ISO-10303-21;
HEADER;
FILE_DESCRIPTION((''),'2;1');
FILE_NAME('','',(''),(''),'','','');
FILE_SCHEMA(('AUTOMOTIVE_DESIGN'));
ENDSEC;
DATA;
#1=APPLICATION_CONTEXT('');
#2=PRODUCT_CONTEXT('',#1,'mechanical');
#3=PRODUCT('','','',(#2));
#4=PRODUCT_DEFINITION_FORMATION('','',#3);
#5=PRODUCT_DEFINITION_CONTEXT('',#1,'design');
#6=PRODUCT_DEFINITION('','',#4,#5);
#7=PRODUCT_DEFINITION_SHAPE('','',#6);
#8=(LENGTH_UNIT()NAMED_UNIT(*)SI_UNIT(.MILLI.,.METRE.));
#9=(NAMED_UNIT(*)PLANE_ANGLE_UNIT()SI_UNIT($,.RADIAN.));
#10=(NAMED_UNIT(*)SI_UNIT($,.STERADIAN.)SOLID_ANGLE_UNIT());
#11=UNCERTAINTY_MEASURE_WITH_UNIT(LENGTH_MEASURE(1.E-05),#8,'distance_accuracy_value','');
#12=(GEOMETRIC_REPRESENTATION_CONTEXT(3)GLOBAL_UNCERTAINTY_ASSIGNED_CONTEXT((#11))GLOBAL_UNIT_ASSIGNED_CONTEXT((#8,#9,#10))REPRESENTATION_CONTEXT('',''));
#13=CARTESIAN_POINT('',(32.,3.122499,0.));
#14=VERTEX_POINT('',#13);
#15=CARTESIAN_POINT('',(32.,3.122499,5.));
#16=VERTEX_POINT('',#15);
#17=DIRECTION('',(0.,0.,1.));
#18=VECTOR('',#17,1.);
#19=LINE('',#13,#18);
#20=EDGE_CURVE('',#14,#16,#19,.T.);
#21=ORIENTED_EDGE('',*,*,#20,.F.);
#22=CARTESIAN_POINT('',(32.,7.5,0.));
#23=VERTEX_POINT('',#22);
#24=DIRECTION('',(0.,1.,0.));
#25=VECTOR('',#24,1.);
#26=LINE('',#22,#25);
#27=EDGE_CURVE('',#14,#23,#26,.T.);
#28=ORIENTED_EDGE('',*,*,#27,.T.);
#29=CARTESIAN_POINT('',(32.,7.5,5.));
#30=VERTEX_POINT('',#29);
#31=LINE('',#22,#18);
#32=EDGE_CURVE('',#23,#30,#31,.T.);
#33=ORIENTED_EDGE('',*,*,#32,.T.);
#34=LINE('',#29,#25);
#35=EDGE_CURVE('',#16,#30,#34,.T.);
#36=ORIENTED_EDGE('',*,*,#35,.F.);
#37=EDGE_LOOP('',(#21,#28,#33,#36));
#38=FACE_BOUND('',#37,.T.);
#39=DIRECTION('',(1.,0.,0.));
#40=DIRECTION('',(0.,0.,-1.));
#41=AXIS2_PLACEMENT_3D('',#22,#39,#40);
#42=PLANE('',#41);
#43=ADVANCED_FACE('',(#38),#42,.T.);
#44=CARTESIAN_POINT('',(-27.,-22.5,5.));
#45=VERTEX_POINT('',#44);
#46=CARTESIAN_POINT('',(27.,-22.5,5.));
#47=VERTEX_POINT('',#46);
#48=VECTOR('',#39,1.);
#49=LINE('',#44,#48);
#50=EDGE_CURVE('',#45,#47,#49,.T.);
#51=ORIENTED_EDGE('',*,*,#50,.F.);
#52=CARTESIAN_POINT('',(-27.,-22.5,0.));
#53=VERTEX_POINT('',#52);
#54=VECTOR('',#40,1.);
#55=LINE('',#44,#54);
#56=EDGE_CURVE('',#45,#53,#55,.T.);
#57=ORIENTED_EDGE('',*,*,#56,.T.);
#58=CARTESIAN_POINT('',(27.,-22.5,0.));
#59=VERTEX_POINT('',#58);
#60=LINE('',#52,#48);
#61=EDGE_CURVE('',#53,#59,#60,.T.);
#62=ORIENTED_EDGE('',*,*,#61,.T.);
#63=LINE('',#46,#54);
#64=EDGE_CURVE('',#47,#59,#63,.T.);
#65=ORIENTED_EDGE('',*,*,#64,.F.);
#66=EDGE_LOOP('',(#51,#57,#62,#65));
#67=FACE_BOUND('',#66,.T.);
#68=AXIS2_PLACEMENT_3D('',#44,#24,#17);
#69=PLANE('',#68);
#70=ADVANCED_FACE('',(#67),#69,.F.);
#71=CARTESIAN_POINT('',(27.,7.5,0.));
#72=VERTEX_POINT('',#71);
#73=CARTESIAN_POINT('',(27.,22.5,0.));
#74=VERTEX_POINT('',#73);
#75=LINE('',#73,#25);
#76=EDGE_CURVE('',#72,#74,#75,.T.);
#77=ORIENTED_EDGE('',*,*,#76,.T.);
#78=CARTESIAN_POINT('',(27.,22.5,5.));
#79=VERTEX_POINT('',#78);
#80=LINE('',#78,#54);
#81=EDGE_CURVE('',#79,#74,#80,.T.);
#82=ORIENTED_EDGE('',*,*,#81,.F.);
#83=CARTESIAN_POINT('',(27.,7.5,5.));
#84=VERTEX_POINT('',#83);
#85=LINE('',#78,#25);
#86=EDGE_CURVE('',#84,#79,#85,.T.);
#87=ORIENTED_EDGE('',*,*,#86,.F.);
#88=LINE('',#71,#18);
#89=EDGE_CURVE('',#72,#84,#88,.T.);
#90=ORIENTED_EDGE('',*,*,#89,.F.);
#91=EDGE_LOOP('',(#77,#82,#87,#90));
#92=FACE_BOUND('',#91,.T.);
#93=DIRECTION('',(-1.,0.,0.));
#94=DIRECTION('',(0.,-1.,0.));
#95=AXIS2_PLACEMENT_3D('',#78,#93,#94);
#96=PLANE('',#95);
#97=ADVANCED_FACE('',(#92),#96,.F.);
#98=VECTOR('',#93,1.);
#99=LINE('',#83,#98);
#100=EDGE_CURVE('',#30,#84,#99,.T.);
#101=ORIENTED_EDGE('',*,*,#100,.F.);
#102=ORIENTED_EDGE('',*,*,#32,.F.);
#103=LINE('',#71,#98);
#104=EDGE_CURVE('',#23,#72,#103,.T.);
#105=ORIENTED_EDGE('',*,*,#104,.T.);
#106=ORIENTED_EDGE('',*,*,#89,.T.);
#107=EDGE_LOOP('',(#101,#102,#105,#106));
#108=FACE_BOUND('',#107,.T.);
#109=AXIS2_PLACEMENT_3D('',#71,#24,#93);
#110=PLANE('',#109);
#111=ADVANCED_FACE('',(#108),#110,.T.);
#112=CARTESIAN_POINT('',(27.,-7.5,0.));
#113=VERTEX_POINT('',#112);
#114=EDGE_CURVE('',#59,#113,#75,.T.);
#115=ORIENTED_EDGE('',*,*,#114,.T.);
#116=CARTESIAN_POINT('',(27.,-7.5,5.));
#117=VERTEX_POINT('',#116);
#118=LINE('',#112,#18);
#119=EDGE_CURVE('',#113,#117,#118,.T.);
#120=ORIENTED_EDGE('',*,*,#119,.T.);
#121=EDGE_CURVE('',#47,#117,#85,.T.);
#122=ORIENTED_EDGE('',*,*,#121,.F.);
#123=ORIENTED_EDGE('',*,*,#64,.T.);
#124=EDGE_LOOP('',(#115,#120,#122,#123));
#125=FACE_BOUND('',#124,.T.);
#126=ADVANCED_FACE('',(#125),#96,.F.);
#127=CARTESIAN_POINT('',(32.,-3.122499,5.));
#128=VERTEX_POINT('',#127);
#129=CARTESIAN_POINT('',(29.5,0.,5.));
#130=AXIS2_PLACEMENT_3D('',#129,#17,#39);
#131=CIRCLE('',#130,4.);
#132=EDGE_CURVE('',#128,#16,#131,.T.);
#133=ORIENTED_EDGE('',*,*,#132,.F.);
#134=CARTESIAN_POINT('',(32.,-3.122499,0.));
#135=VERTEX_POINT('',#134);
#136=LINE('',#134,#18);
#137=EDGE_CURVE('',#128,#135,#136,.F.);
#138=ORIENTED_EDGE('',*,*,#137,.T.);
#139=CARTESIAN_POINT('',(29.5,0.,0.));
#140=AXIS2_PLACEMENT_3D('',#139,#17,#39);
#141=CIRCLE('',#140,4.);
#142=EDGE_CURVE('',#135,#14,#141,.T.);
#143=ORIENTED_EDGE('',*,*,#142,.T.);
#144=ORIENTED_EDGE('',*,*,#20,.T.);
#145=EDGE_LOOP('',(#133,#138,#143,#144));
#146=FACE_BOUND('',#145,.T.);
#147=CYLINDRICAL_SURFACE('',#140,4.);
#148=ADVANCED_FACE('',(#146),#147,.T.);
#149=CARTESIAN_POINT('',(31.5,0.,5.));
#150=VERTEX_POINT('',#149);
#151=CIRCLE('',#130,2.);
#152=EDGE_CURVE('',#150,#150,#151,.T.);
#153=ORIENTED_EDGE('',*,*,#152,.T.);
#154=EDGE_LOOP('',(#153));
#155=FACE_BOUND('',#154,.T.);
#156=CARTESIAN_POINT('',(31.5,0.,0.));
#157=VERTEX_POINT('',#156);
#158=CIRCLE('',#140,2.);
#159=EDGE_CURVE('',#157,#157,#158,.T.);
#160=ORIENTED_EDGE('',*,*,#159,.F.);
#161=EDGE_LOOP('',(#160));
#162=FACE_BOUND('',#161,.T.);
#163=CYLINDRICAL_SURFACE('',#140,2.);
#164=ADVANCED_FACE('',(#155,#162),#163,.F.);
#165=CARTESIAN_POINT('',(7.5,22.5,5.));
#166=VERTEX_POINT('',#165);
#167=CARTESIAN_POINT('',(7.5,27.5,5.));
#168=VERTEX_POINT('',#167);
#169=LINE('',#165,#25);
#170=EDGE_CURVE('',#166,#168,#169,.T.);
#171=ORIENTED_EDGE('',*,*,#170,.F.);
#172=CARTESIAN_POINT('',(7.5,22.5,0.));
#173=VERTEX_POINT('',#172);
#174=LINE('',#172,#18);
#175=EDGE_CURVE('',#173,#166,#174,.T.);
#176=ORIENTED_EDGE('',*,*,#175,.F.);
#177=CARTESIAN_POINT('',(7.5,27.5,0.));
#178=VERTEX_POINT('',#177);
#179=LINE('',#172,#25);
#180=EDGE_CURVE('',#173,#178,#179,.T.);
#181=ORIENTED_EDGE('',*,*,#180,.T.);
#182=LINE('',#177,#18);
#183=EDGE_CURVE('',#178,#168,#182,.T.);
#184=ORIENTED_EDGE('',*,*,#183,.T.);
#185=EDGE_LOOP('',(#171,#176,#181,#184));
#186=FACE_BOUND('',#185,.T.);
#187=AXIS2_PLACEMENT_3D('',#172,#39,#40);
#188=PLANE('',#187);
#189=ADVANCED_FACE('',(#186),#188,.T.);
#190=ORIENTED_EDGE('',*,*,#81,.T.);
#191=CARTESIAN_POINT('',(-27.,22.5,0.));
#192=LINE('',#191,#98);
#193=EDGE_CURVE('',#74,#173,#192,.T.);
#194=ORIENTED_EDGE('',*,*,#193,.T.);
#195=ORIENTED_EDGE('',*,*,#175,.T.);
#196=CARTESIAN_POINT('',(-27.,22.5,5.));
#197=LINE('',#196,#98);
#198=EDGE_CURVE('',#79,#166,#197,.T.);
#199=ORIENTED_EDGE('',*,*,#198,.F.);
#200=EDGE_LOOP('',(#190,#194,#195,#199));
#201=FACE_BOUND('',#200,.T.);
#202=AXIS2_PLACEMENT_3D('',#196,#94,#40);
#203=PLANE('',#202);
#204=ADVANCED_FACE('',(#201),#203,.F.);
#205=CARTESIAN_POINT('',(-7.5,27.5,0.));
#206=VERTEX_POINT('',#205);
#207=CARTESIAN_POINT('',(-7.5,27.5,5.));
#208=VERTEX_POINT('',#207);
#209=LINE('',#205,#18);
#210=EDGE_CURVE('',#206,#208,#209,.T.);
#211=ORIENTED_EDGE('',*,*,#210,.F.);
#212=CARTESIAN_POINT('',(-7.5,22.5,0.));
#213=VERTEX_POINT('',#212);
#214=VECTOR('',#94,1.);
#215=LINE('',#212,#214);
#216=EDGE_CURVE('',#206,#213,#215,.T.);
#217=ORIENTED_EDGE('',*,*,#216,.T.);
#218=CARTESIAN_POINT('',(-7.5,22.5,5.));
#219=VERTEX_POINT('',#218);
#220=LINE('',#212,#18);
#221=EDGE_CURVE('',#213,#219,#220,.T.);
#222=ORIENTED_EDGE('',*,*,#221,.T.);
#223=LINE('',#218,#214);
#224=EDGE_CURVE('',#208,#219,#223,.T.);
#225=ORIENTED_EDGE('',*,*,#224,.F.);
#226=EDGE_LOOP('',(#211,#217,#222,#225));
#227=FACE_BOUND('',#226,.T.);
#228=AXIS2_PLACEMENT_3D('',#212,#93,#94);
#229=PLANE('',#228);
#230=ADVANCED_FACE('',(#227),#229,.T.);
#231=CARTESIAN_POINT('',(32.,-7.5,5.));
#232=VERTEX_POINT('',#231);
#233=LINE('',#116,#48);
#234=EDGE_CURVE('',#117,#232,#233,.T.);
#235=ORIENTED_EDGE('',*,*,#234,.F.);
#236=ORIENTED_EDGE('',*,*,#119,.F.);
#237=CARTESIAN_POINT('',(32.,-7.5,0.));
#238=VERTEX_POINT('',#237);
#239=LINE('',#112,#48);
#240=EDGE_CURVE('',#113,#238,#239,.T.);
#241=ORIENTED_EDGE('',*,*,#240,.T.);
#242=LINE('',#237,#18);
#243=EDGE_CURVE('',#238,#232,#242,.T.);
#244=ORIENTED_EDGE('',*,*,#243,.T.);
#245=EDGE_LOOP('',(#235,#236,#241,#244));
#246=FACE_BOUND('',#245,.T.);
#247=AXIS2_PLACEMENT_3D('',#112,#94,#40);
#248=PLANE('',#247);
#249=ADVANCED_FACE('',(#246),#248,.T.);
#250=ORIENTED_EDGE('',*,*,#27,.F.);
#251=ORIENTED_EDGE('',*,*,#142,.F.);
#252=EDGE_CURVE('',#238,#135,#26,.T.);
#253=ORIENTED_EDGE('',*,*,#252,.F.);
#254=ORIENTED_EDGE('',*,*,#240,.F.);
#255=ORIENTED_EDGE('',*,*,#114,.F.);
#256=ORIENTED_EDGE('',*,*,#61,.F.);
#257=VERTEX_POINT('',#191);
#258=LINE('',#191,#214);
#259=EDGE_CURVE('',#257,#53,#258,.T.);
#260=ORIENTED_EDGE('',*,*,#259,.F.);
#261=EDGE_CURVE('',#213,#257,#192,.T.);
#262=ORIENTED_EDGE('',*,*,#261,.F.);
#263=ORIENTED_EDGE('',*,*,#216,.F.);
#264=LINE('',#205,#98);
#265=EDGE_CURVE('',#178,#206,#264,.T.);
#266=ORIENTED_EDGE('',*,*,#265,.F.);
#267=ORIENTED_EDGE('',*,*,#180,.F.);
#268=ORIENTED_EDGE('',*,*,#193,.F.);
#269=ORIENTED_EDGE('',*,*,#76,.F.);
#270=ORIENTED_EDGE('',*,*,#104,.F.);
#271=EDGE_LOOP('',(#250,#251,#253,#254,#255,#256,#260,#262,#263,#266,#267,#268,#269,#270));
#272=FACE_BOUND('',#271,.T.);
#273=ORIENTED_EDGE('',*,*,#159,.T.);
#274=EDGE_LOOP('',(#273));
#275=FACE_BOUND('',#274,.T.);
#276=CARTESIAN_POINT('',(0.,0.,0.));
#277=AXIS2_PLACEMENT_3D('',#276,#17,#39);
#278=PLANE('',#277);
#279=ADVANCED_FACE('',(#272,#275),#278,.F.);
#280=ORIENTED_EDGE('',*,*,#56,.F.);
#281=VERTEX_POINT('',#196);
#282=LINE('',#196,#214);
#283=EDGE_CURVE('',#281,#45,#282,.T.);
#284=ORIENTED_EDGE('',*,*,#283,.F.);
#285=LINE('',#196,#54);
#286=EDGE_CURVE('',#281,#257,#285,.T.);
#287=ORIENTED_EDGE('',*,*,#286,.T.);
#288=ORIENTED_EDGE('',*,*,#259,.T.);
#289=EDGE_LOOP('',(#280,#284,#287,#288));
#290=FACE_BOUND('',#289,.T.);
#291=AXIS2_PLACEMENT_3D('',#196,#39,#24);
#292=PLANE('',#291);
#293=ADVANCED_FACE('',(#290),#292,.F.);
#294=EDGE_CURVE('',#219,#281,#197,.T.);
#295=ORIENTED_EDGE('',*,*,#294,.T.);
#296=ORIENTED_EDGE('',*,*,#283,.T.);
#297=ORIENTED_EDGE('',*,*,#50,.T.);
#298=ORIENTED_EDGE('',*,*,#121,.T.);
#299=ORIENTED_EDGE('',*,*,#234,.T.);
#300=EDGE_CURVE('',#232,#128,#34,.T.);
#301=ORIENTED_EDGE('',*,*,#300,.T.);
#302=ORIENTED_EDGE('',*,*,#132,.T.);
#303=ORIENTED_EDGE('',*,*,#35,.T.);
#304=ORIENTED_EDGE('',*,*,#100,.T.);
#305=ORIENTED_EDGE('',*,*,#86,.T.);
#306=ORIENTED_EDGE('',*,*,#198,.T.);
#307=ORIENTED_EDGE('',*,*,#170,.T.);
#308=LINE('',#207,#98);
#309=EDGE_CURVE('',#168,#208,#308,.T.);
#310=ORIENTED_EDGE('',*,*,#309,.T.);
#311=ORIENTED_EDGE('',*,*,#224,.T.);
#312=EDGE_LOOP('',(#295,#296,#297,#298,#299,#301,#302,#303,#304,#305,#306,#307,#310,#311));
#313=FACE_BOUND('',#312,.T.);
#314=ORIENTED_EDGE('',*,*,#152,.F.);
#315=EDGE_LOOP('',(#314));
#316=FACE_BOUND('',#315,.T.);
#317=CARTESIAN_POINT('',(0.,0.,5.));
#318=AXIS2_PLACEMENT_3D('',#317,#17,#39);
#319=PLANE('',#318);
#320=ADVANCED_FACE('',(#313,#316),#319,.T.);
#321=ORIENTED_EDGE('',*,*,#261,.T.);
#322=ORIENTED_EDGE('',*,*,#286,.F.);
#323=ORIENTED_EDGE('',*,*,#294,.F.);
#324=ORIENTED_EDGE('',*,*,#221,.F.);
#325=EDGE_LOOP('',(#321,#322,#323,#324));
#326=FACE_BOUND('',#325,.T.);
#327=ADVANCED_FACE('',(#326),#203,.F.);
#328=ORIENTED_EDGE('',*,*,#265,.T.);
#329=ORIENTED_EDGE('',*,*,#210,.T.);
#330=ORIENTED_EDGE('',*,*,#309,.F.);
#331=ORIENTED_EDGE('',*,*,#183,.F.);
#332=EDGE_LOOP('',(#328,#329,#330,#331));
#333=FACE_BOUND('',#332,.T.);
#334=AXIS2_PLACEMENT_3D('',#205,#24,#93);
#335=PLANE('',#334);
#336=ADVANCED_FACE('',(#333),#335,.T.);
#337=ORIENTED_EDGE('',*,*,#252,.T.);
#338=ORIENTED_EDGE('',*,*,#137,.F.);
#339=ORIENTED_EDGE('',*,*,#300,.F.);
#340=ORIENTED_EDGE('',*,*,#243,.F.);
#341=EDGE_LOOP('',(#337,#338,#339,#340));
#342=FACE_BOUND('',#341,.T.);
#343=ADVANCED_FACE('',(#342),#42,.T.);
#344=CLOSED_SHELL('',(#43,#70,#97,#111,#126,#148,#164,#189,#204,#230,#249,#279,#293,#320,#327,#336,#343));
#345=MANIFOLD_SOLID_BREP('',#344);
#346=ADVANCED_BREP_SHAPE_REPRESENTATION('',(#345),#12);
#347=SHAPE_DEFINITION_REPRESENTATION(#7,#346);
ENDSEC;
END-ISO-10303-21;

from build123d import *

# Parameters (mm, degrees)
SKETCH1_W           = 54
SKETCH1_H           = 45
BOSS_EXTRUDE1_DEPTH = 5
SKETCH3_W           = 5
SKETCH3_H           = 15
SKETCH3_W_2         = 15
SKETCH3_H_2         = 5
BOSS_EXTRUDE2_DEPTH = 5
SKETCH4_R           = 2
CUT_EXTRUDE1_DEPTH  = 5
SKETCH5_R           = 4
SKETCH5_R_2         = 2
BOSS_EXTRUDE3_DEPTH = 5


with BuildPart() as part:
    # Sketch1 → Boss-Extrude1 (new body)
    with BuildSketch(Plane.XY):
        Rectangle(SKETCH1_W, SKETCH1_H)
    extrude(amount=BOSS_EXTRUDE1_DEPTH)

    # Sketch3 → Boss-Extrude2 (add)
    with BuildSketch(Plane.XY.offset(5)):
        with Locations((29.5, 0)):
            Rectangle(SKETCH3_W, SKETCH3_H)
        with Locations((0, 25)):
            Rectangle(SKETCH3_W_2, SKETCH3_H_2)
    extrude(amount=-BOSS_EXTRUDE2_DEPTH)

    # Sketch4 → Cut-Extrude1 (cut)
    with BuildSketch(Plane.XY.offset(5)):
        with Locations((29.5, 0)):
            Circle(SKETCH4_R)
    extrude(amount=-CUT_EXTRUDE1_DEPTH, mode=Mode.SUBTRACT)

    # Sketch5 → Boss-Extrude3 (add)
    with BuildSketch(Plane.XY.offset(5)):
        with Locations((29.5, 0)):
            Circle(SKETCH5_R)
        with Locations((29.5, 0)):
            Circle(SKETCH5_R_2, mode=Mode.SUBTRACT)
    extrude(amount=-BOSS_EXTRUDE3_DEPTH)


solid = part.part
